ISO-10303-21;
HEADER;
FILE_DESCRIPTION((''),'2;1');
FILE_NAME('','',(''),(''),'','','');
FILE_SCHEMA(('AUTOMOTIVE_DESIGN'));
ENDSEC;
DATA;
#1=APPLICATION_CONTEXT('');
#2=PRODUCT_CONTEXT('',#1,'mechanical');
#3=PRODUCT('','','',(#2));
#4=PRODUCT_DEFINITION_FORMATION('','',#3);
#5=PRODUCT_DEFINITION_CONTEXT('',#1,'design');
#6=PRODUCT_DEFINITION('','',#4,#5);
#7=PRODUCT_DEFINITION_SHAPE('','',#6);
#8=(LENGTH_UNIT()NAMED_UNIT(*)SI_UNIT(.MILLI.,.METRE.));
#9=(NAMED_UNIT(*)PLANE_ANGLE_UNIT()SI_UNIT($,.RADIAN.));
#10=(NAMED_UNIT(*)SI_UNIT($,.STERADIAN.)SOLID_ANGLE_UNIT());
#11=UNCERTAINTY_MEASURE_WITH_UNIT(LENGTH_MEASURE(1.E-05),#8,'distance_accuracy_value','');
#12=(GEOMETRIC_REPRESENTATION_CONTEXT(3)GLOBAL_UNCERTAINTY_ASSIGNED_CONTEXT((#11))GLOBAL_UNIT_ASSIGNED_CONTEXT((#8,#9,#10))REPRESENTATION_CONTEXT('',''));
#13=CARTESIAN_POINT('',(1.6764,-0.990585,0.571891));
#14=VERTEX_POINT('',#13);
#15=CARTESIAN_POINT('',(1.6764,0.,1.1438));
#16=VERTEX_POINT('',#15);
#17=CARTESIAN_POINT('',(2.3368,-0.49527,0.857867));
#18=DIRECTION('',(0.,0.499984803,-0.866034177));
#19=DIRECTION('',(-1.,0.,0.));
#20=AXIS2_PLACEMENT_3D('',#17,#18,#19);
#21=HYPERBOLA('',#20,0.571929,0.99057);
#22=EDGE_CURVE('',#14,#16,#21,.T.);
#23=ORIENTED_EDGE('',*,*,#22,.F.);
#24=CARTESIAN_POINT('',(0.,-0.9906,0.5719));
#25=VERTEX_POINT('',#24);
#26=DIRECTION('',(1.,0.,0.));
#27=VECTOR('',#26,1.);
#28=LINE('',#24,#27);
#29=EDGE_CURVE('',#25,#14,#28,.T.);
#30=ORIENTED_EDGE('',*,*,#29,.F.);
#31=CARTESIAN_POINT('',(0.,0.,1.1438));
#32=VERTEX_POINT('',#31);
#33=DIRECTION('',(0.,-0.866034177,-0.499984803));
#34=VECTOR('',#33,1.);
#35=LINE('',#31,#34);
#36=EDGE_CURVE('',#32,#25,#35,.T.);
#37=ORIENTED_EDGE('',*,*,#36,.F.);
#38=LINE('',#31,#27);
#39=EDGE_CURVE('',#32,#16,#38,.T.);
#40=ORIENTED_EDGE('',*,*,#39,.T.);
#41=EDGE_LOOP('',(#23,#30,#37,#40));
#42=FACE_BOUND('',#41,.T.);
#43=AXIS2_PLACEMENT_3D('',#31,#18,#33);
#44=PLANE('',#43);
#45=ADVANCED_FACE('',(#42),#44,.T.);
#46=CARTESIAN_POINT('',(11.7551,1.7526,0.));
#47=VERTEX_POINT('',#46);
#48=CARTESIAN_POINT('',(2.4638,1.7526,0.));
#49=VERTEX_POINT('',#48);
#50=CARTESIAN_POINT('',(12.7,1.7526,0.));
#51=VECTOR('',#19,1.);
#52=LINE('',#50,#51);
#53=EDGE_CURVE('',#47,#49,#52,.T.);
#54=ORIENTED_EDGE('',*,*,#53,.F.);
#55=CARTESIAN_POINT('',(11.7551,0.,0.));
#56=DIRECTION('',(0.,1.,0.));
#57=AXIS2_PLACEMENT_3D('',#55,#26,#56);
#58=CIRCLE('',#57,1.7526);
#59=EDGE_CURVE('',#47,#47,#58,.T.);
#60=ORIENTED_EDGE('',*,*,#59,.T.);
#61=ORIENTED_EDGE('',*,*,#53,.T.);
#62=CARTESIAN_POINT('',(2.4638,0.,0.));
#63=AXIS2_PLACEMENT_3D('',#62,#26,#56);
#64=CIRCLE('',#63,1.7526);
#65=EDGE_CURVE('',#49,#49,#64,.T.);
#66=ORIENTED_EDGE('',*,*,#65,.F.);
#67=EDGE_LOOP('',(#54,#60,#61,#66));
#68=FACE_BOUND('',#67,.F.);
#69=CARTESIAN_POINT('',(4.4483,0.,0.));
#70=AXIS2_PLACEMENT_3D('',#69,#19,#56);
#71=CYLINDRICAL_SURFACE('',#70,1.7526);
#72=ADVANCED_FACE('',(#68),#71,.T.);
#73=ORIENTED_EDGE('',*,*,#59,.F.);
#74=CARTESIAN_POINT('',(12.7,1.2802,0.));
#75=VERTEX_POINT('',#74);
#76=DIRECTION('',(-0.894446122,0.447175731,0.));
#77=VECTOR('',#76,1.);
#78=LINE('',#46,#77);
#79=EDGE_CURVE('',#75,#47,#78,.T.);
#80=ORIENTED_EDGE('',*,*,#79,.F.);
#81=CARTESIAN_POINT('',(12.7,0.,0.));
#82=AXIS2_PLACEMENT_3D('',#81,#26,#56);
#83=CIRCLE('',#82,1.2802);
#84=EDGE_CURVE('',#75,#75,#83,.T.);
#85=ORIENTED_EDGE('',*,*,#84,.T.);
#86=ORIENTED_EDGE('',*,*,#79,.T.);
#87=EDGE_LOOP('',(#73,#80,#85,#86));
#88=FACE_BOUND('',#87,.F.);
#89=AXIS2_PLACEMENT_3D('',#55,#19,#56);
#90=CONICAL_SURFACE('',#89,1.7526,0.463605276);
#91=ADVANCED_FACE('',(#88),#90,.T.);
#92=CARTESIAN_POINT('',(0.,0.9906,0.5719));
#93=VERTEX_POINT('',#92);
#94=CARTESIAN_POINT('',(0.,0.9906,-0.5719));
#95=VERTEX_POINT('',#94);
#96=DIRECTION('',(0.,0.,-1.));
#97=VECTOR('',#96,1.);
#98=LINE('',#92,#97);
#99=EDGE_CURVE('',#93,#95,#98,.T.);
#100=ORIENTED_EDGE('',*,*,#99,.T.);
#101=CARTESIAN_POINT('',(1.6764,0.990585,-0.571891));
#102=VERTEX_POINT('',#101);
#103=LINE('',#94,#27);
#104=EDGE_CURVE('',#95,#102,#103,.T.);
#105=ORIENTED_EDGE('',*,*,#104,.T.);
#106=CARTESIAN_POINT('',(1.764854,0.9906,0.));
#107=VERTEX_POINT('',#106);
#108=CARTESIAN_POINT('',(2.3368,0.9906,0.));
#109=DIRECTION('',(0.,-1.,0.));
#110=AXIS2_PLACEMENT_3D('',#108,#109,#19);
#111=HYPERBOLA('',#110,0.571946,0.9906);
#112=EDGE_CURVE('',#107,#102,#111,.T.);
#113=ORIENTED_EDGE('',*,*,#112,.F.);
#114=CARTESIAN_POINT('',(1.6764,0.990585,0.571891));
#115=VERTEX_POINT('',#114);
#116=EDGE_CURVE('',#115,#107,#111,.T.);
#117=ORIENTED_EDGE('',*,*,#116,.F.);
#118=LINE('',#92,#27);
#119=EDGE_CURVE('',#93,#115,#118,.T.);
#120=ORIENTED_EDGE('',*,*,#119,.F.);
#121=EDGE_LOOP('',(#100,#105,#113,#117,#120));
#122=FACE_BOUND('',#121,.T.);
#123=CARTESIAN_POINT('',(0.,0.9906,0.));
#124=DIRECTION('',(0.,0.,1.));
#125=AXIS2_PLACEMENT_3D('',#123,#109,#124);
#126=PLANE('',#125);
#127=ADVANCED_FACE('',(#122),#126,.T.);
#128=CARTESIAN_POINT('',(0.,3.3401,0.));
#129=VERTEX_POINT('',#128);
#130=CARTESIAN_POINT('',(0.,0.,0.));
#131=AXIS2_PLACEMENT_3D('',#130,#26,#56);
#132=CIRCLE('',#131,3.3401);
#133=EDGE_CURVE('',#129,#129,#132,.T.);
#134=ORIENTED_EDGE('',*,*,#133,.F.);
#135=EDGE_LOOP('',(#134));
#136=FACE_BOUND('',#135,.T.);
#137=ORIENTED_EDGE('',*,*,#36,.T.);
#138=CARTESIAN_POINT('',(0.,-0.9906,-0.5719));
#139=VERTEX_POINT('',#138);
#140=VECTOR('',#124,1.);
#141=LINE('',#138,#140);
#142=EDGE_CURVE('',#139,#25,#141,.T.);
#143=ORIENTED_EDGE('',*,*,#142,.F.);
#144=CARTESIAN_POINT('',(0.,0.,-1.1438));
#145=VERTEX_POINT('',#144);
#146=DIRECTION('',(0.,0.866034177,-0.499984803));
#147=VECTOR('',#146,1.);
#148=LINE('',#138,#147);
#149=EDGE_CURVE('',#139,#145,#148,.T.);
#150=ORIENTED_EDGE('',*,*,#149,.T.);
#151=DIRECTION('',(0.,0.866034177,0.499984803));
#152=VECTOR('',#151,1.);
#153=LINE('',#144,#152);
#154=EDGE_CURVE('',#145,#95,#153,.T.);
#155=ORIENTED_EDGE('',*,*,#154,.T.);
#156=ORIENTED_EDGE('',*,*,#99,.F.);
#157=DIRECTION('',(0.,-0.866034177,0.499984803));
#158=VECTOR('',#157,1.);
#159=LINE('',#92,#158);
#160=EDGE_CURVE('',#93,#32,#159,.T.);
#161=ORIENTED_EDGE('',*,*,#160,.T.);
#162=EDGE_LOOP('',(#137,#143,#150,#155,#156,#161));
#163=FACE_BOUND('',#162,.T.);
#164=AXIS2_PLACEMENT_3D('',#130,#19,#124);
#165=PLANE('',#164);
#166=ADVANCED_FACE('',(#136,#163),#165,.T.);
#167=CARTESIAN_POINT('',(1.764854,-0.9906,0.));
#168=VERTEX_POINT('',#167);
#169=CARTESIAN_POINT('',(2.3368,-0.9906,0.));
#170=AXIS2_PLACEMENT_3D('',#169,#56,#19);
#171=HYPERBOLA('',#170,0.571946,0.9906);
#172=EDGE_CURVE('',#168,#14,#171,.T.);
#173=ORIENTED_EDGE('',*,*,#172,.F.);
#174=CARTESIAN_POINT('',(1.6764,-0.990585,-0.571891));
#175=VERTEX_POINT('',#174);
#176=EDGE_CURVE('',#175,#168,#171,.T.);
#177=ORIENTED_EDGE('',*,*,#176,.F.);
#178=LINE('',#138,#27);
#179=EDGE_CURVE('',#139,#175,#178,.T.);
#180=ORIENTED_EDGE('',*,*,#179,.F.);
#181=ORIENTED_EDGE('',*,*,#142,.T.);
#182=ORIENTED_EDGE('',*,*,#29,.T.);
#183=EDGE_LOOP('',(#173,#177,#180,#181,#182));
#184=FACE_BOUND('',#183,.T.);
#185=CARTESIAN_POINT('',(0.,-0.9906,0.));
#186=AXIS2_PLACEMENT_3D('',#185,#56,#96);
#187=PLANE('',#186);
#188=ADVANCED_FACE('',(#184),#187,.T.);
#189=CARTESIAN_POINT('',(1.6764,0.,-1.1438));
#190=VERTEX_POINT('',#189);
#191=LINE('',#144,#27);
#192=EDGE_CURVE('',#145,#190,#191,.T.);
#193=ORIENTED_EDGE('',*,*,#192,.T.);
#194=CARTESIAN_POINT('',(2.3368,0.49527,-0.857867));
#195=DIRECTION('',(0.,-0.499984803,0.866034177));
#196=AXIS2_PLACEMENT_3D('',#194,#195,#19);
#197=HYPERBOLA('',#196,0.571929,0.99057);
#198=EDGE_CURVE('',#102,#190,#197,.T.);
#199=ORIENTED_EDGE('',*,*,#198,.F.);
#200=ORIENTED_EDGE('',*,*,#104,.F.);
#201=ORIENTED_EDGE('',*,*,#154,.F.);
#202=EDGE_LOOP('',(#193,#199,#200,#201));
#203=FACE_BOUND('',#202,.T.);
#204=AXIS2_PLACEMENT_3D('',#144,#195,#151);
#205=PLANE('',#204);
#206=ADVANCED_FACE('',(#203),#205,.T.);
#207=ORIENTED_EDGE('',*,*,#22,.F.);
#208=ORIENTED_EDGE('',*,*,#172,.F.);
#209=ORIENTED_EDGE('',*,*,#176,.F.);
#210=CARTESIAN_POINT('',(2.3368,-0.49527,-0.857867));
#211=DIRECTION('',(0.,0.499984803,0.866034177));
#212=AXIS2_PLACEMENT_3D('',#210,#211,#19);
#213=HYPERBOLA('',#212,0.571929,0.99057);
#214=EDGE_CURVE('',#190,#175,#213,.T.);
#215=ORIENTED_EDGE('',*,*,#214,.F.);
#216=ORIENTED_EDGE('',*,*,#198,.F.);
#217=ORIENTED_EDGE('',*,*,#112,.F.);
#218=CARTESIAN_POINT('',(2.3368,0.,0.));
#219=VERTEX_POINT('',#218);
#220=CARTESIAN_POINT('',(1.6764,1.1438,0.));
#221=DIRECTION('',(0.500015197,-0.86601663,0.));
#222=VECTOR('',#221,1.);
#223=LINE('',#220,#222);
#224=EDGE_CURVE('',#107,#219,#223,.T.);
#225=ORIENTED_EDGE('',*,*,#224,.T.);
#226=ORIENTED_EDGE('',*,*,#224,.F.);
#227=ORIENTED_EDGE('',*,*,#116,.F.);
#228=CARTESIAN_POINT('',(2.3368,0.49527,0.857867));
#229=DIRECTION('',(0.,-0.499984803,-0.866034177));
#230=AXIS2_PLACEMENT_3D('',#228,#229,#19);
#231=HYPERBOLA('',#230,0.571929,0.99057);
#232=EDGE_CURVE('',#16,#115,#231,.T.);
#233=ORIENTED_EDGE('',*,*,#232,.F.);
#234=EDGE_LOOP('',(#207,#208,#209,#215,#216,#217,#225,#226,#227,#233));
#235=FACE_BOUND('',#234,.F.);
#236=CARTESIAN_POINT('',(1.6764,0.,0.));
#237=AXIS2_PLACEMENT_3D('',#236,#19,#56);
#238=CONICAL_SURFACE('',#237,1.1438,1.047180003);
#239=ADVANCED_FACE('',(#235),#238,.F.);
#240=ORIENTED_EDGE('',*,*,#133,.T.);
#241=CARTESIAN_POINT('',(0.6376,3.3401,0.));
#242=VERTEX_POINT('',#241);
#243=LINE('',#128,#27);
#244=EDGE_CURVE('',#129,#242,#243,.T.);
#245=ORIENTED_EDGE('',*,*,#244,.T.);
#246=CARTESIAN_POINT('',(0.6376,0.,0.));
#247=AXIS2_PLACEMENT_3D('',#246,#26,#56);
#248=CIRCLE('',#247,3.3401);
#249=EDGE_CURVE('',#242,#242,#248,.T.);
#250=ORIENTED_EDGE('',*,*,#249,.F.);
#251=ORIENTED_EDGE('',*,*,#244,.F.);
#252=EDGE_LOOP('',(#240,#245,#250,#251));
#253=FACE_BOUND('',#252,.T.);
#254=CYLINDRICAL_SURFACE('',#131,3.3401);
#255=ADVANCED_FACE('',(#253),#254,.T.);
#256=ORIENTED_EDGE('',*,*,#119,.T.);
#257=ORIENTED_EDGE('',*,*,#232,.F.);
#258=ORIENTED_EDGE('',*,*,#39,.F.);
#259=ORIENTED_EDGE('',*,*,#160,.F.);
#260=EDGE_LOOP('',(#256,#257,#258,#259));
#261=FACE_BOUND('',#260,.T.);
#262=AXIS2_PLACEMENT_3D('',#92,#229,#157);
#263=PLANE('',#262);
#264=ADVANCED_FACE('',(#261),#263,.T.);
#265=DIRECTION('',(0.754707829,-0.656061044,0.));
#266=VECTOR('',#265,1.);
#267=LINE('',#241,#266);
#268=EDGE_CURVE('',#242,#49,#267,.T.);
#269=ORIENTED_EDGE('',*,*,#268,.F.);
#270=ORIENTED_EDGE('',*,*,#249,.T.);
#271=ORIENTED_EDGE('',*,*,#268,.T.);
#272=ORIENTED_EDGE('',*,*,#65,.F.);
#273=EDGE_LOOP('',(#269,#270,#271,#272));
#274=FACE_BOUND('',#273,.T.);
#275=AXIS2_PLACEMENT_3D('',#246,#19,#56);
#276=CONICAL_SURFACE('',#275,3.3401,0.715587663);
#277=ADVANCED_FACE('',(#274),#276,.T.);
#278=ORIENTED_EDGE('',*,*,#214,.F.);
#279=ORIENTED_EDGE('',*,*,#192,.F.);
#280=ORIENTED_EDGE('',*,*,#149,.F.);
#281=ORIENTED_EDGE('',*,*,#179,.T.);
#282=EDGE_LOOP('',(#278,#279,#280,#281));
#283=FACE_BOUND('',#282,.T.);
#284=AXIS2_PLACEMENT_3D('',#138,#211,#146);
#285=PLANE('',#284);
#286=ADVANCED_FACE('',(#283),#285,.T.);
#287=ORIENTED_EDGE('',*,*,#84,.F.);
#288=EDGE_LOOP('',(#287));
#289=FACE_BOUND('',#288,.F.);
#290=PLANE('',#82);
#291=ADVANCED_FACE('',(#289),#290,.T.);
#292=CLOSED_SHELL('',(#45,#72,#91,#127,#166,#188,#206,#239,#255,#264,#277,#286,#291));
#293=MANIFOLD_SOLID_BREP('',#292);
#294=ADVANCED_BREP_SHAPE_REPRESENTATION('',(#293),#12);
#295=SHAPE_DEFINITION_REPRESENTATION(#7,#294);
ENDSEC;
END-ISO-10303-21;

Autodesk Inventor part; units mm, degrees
ref_plane "YZ Plane" through (0, 0, 0) normal (1, 0, 0) x (0, 1, 0)
ref_plane "XZ Plane" through (0, 0, 0) normal (0, 1, 0) x (-1, 0, 0)
sketch "Sketch1" plane through (0, 0, 0) normal (0, 0, 1) x (1, 0, 0)
  line L0 (12.7, 0) -> (12.7, 1.7526)
  line L1 (12.7, 1.7526) -> (4.4483, 1.7526)
  line L2 (4.4483, 1.7526) -> (2.4638, 1.7526)
  line L3 (0, 3.3401) -> (0, 1.1438)
  line L4 (0, 1.1438) -> (1.6764, 1.1438)
  line L5 (1.6764, 1.1438) -> (2.3368, 0)
  line L6 (2.3368, 0) -> (12.7, 0)
  line L7 (0, 3.3401) -> (0.6376, 3.3401)
  line L8 (0.6376, 3.3401) -> (2.4638, 1.7526)
  line L9 (2.4638, 1.7526) -> (2.4638, 1.7526)
  line L10 (4.4483, 1.7526) -> (2.4638, 1.7526) construction
  line L11 (2.4638, 1.7526) -> (2.4638, 1.7526)
  line L12 (-2.54, 0) -> (15.24, 0) projected
  line L13 (0, -0.668) -> (0, 4.0081) projected
  dimension "d0" = 12.7
  dimension "d1" = 8.2517
  dimension "d2" = 1.6764
  dimension "d3" = 3.5052
  dimension "d6" = 2.4638
  dimension "d7" = 41
  dimension "d8" = 2.2877
  dimension "d9" = 60
  dimension "d10" = 6.6802
  dimension "d11" = 3.5052
  dimension "d12" = 1.9845
revolve "Body" add sketch "Sketch1" angle 360 about axis through (2.3368, 0, 0) along (1, 0, 0) contours L6 L5 L4 L3 L7 L8 L2 L1 L0
sketch "Sketch2" plane through (0, 0, 0) normal (-1, 0, 0) x (0, 0, 1)
  circle A0 centre (0, 0) radius 1.1438 projected
  line L0 (0, -4.6761) -> (0, 4.6761) projected
  line L1 (-4.6761, 0) -> (4.6761, 0) projected
  line L2 (1.1438, 0) -> (0.5719, -0.9906)
  line L3 (0.5719, -0.9906) -> (-0.5719, -0.9906)
  line L4 (-0.5719, -0.9906) -> (-1.1438, 0)
  line L5 (-1.1438, 0) -> (-0.5719, 0.9906)
  line L6 (-0.5719, 0.9906) -> (0.5719, 0.9906)
  line L7 (0.5719, 0.9906) -> (1.1438, 0)
  point P0 (0, 1.1438)
extrude "Slot" add sketch "Sketch2" against normal up to next contours L7 A0 | A0 L2 | L6 L0 A0 | A0 L0 L3 | L0 L6 A0 | A0 L3 L0 | L4 A0 | A0 L5
thread "Thread" size "6-32 UNC" class "2A" standard "ANSI Unified Screw Threads" length 8.2517
chamfer "Chamfer1" distance 0.4724 distance2 0.9449 1 edges at (12.7, -1.7526, 0) measured on face at (12.7, 0.5842, 0.7748)
ref_plane "Work Plane1" through (104.775, 0, 0) normal (0, 0, -1) x (1, 0, 0)
equation "\"d15\" = GEL"
equation "\"d17\" = -0.5 * SPD + 0.5 * GD"
equation "\"d18\" = GUL"
equation "\"d0\" = NLG"
equation "\"d1\" = GEL"
equation "\"d2\" = INTI"
equation "\"d3\" = GD"
equation "\"d6\" = KOH"
equation "\"d7\" = 0.5 * SEWI"
equation "\"d8\" = 1.1547 * SW"
equation "\"d10\" = KOD"
equation "\"d11\" = BDM"
equation "\"d12\" = GAL"
equation "\"NLG\" = 12.7"
equation "\"INTI\" = 1.6764"
equation "\"GEL\" = 8.2517"
equation "\"GAL\" = 1.9845"
equation "\"KOH\" = 2.4638"
equation "\"KOD\" = 6.6802"
equation "\"GUL\" = 0.94488"
equation "\"SPD\" = 2.56032"
equation "\"BDM\" = NND"
equation "\"GD\" = NND"
equation "\"SEWI\" = 82deg"
equation "\"SW\" = 1.9812"
equation "\"TOA\" = 30deg"
equation "\"GD1\" = SPD"
equation "\"THREADDIA\" = 3.5052"
equation "\"HHPTC\" = 0.79375"
equation "\"NND\" = 3.5052"
equation "\"E0\" = 1.155 * SW"
properties part number "ANSI B18.3 - 6-32 UNC x 0.5, HSFCHCSI" material "Steel, Mild"
